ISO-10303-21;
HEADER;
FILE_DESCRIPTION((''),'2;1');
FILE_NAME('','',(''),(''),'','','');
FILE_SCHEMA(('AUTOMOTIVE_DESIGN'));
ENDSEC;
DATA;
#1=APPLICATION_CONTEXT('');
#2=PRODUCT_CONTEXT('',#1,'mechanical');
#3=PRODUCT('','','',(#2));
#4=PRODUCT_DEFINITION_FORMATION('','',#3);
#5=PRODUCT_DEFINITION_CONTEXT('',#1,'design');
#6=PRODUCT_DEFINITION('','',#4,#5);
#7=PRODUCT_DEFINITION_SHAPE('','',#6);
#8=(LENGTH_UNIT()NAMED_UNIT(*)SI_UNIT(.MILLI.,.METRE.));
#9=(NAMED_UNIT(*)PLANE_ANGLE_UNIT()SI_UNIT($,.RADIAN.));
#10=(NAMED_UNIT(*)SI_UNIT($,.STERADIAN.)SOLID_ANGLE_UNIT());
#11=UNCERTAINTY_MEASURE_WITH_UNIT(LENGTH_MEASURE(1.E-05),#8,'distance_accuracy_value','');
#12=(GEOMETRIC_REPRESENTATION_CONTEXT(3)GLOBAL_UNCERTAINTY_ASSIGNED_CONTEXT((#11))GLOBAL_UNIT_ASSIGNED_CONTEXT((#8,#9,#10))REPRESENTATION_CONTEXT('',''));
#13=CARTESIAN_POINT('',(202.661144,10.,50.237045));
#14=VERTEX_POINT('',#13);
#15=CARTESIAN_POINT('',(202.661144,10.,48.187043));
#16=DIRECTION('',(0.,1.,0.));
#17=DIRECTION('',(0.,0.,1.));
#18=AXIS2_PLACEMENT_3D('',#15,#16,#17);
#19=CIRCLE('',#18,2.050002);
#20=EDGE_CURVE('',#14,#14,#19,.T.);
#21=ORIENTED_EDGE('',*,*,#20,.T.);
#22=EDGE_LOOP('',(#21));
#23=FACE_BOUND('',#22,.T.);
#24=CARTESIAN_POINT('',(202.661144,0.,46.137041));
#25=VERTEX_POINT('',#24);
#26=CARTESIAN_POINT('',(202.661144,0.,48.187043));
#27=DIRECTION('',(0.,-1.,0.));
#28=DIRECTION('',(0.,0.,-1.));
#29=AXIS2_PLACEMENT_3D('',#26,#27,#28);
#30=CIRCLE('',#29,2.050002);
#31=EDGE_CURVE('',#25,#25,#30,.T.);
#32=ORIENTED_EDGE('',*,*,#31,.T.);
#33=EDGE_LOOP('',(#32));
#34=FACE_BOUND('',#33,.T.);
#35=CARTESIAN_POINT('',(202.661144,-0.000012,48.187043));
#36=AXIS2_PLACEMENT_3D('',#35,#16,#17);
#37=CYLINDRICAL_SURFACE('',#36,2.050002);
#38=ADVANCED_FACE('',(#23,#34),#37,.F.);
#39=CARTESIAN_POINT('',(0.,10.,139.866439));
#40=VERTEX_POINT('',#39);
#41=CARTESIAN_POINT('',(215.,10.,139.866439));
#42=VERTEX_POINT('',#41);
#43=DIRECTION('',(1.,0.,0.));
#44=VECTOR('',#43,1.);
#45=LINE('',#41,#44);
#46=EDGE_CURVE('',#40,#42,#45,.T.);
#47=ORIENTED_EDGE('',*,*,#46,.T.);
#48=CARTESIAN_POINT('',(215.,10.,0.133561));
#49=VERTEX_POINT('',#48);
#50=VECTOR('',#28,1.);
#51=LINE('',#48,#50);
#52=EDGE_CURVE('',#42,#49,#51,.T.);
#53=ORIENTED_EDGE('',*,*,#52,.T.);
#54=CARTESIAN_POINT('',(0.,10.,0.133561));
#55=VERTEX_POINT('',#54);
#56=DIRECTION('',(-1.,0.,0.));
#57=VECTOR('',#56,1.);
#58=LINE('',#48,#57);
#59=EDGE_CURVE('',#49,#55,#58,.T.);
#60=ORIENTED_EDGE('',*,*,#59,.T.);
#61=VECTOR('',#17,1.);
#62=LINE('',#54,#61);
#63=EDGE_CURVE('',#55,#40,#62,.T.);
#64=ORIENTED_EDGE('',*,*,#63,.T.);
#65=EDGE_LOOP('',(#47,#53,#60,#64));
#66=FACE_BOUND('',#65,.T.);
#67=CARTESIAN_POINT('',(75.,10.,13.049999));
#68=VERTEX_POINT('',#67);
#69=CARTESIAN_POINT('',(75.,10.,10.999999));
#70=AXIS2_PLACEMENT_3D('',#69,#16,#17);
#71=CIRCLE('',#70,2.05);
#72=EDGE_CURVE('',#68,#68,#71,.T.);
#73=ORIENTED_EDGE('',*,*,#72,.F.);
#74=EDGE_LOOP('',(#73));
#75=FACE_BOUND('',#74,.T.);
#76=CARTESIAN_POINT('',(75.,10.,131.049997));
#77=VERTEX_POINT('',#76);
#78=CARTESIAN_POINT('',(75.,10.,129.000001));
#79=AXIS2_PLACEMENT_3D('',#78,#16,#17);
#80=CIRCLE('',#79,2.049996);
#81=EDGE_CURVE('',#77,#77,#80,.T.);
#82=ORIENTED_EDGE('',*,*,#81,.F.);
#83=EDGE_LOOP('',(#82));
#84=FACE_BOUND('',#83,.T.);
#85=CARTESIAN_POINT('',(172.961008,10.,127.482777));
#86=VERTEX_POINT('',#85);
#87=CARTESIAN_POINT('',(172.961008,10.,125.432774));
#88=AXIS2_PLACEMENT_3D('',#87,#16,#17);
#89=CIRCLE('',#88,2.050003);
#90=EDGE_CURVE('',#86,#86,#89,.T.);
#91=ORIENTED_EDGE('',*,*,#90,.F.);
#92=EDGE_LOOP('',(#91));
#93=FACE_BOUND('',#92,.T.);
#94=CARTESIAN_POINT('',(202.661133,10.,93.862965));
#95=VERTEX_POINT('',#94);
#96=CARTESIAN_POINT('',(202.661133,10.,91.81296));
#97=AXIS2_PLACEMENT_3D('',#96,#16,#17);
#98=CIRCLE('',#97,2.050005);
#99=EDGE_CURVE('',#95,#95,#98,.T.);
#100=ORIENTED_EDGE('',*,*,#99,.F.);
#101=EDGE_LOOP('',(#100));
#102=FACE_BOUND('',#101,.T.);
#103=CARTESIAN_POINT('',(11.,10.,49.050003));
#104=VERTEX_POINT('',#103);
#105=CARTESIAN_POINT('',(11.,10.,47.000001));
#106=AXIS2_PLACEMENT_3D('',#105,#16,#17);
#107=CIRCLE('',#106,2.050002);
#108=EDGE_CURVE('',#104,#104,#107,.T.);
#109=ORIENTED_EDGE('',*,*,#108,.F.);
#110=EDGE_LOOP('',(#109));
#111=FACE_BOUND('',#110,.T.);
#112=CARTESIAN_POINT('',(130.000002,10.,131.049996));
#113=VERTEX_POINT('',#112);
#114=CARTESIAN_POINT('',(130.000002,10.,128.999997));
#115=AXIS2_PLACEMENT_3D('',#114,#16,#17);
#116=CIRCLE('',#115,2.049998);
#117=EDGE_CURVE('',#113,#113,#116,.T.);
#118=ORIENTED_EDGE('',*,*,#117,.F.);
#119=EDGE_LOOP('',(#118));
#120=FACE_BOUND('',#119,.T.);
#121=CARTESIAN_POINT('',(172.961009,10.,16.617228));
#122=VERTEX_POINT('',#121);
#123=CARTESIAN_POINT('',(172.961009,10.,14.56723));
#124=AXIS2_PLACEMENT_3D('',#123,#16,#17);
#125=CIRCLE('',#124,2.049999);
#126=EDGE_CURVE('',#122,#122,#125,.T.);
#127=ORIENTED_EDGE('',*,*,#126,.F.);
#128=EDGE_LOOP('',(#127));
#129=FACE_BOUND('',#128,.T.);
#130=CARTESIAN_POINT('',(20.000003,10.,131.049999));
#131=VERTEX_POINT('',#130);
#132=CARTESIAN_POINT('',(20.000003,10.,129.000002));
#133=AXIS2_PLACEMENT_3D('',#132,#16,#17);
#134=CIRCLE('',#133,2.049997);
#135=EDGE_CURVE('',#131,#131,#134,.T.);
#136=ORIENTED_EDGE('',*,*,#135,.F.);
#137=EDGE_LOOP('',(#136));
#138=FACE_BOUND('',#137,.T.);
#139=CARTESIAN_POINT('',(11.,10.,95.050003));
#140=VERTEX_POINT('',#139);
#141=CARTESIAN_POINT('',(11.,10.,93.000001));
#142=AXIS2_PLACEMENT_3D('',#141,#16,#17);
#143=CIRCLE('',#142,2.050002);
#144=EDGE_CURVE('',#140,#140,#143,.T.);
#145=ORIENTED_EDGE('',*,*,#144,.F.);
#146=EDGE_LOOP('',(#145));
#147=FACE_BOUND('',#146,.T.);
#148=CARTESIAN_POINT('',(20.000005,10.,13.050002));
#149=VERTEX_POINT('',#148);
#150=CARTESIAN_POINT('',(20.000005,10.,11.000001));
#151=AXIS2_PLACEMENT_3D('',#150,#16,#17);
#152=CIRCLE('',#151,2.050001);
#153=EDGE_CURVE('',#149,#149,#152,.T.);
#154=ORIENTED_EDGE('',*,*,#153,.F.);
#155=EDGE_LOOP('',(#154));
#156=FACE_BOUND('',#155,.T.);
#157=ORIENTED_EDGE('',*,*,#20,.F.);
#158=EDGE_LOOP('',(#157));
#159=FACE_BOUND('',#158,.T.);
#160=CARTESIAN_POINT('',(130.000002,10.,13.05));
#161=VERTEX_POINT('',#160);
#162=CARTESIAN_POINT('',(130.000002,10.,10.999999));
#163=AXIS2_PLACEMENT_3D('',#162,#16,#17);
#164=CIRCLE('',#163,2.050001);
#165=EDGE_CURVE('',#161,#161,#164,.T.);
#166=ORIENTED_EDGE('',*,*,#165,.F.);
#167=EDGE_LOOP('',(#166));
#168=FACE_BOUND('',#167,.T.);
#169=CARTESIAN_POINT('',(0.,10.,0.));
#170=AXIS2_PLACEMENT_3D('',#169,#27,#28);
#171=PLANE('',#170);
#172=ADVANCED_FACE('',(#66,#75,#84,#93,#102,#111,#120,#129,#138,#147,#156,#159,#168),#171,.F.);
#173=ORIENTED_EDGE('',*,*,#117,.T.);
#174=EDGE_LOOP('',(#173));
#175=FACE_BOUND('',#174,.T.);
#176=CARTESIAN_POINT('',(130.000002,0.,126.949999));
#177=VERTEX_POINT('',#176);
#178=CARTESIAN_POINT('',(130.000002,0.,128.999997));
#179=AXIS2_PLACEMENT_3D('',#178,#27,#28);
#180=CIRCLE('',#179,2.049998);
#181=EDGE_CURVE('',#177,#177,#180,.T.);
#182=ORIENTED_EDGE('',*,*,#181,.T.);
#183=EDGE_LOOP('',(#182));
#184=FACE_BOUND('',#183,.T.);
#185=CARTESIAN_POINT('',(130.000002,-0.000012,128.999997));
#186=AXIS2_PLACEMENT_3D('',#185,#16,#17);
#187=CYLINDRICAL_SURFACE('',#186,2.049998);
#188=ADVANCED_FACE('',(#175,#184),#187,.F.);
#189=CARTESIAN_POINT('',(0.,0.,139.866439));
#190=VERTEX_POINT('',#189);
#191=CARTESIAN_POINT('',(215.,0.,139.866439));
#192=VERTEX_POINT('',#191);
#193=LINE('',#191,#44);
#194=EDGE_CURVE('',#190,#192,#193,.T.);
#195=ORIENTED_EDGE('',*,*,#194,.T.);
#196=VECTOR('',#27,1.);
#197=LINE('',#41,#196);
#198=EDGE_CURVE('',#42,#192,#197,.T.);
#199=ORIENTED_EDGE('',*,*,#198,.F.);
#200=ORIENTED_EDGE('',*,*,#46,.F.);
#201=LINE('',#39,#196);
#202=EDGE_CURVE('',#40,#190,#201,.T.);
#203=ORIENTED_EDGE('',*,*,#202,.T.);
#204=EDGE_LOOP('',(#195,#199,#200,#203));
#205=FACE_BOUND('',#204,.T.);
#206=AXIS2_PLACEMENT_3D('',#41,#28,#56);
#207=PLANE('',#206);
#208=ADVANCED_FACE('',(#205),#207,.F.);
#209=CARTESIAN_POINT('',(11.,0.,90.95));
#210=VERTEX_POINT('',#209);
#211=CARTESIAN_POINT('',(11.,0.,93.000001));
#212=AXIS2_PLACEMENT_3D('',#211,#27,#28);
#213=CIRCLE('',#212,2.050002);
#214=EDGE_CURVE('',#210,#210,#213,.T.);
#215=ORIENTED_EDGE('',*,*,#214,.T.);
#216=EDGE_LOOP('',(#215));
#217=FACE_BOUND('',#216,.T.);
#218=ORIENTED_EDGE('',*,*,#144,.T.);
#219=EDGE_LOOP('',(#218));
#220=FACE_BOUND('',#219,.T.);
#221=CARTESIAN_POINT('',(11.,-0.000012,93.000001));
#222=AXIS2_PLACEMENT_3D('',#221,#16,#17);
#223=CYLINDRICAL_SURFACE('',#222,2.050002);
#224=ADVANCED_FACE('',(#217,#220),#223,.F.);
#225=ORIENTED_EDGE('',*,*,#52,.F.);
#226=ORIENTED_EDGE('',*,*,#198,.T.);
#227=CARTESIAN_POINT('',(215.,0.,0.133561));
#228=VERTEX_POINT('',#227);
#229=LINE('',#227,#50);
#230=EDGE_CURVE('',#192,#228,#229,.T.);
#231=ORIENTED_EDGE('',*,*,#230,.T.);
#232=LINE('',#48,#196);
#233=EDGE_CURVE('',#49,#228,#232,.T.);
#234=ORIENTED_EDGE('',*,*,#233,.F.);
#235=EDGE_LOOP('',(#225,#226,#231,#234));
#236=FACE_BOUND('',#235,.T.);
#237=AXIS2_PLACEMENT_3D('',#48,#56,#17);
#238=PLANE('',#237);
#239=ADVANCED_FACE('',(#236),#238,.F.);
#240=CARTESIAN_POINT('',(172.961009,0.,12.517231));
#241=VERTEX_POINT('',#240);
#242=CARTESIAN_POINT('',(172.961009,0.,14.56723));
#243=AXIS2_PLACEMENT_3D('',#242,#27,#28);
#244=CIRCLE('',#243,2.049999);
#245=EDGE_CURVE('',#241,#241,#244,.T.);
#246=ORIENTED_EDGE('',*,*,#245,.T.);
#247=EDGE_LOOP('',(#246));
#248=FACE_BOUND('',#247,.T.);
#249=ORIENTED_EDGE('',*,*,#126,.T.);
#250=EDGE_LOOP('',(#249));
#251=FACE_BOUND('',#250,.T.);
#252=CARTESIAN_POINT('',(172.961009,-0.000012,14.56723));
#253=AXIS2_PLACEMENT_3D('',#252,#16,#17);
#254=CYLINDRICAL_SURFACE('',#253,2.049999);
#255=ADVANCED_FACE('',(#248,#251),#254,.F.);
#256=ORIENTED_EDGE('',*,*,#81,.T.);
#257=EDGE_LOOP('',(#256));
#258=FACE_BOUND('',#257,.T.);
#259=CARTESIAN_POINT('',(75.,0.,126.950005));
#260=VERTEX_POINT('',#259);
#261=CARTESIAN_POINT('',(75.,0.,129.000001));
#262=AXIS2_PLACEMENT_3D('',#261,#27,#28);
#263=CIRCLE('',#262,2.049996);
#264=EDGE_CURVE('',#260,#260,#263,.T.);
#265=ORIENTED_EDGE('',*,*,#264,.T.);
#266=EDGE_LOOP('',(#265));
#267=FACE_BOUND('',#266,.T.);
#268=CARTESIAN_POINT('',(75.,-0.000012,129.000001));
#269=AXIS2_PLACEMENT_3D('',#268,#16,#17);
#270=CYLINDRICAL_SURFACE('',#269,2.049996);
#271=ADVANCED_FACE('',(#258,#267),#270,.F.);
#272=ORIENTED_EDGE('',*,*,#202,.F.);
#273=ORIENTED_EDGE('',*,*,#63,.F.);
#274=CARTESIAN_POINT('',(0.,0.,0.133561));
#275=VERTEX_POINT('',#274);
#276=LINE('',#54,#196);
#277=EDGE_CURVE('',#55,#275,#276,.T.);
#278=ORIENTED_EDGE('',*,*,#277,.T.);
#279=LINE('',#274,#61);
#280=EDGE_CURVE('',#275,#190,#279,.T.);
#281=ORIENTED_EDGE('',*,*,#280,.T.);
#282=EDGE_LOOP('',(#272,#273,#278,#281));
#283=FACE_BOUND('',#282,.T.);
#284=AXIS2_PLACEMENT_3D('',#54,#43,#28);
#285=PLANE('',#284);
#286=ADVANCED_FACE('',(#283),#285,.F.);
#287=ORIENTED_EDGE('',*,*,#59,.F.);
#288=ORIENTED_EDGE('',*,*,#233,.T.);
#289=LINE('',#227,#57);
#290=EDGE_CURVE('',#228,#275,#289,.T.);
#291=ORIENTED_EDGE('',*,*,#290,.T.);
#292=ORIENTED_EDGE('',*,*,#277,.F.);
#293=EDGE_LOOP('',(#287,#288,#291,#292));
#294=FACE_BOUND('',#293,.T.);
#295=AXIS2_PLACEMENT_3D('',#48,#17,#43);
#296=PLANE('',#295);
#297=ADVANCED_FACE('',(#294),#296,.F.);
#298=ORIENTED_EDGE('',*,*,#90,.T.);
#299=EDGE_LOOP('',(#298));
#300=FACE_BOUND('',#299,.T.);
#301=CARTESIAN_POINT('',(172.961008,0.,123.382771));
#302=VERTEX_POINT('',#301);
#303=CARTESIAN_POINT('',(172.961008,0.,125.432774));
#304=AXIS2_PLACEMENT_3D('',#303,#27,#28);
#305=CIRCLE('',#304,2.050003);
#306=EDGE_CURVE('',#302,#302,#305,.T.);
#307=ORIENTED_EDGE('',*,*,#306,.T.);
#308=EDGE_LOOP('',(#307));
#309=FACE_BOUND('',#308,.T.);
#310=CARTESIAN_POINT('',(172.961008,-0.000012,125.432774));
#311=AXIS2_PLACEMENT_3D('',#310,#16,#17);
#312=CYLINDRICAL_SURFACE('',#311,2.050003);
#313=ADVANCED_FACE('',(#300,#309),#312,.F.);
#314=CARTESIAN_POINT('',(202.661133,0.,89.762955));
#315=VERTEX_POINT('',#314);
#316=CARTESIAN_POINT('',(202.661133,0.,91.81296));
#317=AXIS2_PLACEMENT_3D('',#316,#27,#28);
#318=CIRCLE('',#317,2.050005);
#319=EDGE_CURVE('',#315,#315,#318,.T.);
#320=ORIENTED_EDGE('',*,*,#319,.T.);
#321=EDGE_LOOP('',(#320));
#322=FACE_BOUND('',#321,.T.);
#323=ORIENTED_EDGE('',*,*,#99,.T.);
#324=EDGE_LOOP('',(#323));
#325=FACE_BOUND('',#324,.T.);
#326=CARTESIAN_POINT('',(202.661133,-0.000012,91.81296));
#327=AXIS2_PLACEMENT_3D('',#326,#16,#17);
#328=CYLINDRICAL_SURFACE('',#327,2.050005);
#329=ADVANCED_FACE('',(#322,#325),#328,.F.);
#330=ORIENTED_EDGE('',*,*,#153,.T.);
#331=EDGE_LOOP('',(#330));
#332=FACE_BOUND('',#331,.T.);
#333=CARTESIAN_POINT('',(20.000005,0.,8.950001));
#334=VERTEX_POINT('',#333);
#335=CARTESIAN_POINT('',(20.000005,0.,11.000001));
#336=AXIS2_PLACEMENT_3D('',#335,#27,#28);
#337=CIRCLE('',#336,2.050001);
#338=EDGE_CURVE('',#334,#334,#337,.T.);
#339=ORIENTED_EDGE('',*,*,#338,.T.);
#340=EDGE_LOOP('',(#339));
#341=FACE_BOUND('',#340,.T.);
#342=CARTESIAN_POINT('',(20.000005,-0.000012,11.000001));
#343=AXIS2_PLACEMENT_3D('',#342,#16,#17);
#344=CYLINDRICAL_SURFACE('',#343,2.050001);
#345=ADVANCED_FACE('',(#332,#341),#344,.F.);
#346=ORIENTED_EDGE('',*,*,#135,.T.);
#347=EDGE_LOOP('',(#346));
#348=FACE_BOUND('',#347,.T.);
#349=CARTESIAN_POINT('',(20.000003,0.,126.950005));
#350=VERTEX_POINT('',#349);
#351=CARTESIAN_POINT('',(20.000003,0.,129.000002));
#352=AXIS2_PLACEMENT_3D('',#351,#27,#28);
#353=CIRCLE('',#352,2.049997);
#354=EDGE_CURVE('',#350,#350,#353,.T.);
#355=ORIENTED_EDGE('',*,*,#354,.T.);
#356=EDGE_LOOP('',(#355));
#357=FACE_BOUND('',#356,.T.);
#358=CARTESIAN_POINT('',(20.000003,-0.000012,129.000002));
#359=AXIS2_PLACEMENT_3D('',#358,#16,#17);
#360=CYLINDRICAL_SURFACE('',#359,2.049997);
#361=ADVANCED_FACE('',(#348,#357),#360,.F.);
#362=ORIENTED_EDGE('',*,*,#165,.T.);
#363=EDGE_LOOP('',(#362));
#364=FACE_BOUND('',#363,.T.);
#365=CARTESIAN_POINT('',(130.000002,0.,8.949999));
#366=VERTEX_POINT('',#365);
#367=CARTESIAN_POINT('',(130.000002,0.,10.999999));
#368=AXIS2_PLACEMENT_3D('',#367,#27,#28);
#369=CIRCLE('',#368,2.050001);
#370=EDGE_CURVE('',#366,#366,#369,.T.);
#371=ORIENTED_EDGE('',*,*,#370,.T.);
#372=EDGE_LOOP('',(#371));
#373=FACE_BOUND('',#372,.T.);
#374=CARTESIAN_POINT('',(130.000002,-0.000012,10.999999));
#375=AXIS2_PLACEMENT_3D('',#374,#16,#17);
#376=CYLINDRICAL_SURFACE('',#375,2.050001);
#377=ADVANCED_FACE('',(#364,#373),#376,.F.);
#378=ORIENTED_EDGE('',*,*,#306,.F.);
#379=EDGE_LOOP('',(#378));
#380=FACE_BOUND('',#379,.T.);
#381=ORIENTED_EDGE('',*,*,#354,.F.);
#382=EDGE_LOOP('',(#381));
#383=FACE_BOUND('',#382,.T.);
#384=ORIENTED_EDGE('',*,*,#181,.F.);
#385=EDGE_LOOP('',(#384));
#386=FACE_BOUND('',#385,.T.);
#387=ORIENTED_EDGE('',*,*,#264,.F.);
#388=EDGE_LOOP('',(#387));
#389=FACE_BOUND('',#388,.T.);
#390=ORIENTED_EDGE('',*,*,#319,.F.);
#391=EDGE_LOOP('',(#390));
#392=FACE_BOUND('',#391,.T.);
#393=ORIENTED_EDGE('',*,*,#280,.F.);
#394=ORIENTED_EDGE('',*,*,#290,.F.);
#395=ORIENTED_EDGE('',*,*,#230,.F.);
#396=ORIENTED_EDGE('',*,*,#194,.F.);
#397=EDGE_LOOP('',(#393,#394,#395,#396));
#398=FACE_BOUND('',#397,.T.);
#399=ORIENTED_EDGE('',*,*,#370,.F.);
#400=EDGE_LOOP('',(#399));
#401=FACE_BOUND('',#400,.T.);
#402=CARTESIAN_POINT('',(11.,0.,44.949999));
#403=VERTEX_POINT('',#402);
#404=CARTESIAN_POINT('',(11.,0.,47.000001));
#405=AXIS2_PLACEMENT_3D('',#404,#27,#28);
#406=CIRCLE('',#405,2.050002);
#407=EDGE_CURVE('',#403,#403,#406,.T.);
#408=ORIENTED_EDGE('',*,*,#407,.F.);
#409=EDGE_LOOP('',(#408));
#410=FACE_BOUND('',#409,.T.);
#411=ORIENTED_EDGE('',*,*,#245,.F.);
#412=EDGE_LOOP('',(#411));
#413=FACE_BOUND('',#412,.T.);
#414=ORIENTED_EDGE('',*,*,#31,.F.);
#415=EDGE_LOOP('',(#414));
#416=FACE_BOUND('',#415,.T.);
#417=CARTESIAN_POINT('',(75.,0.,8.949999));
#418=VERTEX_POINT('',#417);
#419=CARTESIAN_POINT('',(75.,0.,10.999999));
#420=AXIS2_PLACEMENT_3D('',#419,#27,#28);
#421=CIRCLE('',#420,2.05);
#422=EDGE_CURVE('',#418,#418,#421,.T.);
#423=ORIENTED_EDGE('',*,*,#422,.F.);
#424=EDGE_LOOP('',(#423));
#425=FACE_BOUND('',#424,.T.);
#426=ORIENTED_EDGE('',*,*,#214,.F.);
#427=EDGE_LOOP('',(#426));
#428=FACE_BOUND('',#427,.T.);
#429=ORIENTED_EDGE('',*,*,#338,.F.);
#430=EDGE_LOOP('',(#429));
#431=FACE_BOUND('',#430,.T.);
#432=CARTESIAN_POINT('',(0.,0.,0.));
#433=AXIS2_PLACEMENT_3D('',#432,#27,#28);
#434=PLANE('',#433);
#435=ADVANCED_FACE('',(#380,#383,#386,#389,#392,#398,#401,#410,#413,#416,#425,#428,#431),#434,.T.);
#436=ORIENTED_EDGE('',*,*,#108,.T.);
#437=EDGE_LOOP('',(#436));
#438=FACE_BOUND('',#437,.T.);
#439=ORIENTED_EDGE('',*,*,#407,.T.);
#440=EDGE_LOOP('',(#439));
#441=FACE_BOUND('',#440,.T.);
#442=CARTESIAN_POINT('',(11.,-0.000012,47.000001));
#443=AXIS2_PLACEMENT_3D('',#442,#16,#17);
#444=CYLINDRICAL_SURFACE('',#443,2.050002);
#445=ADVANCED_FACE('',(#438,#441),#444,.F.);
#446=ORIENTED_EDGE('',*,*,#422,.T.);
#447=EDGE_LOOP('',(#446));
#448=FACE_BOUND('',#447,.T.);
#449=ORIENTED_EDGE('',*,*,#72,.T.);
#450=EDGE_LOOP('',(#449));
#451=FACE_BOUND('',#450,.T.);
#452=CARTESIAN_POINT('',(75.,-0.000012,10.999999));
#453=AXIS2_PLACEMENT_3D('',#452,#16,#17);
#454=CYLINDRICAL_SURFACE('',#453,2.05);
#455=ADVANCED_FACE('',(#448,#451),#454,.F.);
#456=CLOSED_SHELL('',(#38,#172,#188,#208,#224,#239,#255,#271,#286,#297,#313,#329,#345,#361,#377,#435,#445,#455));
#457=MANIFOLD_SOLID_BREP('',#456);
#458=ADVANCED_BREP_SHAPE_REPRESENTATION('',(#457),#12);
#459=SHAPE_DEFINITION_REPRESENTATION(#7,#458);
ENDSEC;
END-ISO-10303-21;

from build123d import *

# Parameters (mm, degrees)
SKETCH2_W               = 215
SKETCH2_H               = 139.732878208
BOSS_EXTRUDE1_DEPTH     = 10
SKETCH3_R               = 2.04999698
SKETCH3_R_2             = 2.049996201
SKETCH3_R_3             = 2.049998036
SKETCH3_R_4             = 2.05000301
SKETCH3_R_5             = 2.05000489
SKETCH3_R_6             = 2.05000167
SKETCH3_R_7             = 2.049998726
SKETCH3_R_8             = 2.050000522
SKETCH3_R_9             = 2.050000228
SKETCH3_R_10            = 2.050000557
SKETCH3_R_11            = 2.050001917
SKETCH3_R_12            = 2.050001502
CUT_EXTRUDE2_DEPTH      = 11
CUT_EXTRUDE2_DEPTH_BACK = 1


with BuildPart() as part:
    # Sketch2 → Boss-Extrude1 (new body)
    with BuildSketch(Plane(origin=(0, 0, 0), x_dir=(1, 0, 0), z_dir=(0, 1, 0))):
        with Locations((107.5, -70)):
            Rectangle(SKETCH2_W, SKETCH2_H)
    extrude(amount=BOSS_EXTRUDE1_DEPTH)

    # Sketch3 → Cut-Extrude2 (cut, two sides)
    with BuildSketch(Plane(origin=(0, 0, 0), x_dir=(1, 0, 0), z_dir=(0, 1, 0))) as cut_extrude2_sk:
        with Locations((20.000003077, -129.000001764)):
            Circle(SKETCH3_R)
        with Locations((74.999999742, -129.000001144)):
            Circle(SKETCH3_R_2)
        with Locations((130.000001864, -128.999997495)):
            Circle(SKETCH3_R_3)
        with Locations((172.961008424, -125.432773785)):
            Circle(SKETCH3_R_4)
        with Locations((202.661132812, -91.812960049)):
            Circle(SKETCH3_R_5)
        with Locations((202.661143569, -48.187042941)):
            Circle(SKETCH3_R_6)
        with Locations((172.961008675, -14.567229705)):
            Circle(SKETCH3_R_7)
        with Locations((130.000001694, -10.999999378)):
            Circle(SKETCH3_R_8)
        with Locations((75.000000263, -10.999999084)):
            Circle(SKETCH3_R_9)
        with Locations((20.000004874, -11.000001196)):
            Circle(SKETCH3_R_10)
        with Locations((10.999999837, -47.000000994)):
            Circle(SKETCH3_R_11)
        with Locations((11.000000285, -93.0000014)):
            Circle(SKETCH3_R_12)
    extrude(amount=CUT_EXTRUDE2_DEPTH, mode=Mode.SUBTRACT)
    extrude(cut_extrude2_sk.sketch, amount=-CUT_EXTRUDE2_DEPTH_BACK, mode=Mode.SUBTRACT)


solid = part.part
